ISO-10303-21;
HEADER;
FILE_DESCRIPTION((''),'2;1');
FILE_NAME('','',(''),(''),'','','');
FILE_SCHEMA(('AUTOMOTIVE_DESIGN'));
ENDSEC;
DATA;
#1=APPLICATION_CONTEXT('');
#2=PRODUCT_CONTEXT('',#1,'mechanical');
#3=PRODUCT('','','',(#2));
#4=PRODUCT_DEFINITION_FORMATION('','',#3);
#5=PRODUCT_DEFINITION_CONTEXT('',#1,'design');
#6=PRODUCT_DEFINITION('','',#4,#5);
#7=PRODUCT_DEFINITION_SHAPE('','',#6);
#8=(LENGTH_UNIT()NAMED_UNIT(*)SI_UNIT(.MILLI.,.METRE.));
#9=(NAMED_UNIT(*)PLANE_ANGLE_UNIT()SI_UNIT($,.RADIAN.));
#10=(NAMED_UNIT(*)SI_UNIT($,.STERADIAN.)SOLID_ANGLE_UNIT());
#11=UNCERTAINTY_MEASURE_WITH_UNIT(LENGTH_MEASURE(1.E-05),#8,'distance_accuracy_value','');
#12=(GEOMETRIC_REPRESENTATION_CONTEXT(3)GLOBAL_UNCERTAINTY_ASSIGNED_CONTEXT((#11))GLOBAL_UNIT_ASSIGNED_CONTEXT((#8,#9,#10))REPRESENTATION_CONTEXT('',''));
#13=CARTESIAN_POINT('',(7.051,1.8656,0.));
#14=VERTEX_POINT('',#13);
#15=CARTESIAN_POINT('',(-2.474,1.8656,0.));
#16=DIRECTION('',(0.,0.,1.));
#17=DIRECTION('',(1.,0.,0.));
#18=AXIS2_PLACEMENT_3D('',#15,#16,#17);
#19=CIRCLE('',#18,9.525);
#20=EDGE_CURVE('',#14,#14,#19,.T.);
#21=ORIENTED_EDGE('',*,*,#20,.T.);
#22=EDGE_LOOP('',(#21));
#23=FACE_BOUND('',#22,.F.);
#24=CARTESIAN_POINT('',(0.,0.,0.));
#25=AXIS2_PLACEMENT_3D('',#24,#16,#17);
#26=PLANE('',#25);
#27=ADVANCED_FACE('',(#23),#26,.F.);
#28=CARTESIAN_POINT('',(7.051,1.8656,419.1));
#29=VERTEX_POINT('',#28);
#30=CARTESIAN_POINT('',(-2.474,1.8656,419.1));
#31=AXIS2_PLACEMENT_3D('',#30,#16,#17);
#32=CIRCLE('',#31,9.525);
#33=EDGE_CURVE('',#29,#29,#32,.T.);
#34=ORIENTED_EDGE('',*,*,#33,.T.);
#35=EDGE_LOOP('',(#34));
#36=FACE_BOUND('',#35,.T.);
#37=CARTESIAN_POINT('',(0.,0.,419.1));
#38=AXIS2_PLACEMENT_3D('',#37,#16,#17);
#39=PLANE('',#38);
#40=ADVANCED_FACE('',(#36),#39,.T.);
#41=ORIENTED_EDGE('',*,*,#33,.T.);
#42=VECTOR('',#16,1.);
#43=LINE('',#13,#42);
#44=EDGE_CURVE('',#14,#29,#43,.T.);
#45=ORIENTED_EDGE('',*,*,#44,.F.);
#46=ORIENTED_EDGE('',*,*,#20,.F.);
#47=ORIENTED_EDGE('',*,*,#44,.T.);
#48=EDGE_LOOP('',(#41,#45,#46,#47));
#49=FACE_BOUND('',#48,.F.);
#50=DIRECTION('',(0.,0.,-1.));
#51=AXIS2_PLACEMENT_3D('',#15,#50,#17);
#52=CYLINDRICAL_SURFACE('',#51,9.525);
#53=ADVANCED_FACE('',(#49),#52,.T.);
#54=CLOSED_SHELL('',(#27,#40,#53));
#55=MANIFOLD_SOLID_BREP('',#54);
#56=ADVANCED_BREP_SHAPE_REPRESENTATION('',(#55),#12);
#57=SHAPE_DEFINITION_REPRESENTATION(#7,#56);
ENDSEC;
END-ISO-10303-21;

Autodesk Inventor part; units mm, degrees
ref_plane "YZ Plane" through (0, 0, 0) normal (1, 0, 0) x (0, 1, 0)
ref_plane "XZ Plane" through (0, 0, 0) normal (0, 1, 0) x (-1, 0, 0)
ref_plane "XY Plane" through (0, 0, 0) normal (0, 0, 1) x (1, 0, 0)
sketch "Sketch1" plane through (0, 0, 0) normal (0, 0, 1) x (1, 0, 0)
  circle A0 centre (-2.474, 1.8656) radius 9.525
  point P0 (0, 0)
  dimension "d0" = 19.05
  dimension "d0" = 19.05
extrude "Extrusion1" add sketch "Sketch1" along normal blind 419.1
properties part number "Roller cylinder"
